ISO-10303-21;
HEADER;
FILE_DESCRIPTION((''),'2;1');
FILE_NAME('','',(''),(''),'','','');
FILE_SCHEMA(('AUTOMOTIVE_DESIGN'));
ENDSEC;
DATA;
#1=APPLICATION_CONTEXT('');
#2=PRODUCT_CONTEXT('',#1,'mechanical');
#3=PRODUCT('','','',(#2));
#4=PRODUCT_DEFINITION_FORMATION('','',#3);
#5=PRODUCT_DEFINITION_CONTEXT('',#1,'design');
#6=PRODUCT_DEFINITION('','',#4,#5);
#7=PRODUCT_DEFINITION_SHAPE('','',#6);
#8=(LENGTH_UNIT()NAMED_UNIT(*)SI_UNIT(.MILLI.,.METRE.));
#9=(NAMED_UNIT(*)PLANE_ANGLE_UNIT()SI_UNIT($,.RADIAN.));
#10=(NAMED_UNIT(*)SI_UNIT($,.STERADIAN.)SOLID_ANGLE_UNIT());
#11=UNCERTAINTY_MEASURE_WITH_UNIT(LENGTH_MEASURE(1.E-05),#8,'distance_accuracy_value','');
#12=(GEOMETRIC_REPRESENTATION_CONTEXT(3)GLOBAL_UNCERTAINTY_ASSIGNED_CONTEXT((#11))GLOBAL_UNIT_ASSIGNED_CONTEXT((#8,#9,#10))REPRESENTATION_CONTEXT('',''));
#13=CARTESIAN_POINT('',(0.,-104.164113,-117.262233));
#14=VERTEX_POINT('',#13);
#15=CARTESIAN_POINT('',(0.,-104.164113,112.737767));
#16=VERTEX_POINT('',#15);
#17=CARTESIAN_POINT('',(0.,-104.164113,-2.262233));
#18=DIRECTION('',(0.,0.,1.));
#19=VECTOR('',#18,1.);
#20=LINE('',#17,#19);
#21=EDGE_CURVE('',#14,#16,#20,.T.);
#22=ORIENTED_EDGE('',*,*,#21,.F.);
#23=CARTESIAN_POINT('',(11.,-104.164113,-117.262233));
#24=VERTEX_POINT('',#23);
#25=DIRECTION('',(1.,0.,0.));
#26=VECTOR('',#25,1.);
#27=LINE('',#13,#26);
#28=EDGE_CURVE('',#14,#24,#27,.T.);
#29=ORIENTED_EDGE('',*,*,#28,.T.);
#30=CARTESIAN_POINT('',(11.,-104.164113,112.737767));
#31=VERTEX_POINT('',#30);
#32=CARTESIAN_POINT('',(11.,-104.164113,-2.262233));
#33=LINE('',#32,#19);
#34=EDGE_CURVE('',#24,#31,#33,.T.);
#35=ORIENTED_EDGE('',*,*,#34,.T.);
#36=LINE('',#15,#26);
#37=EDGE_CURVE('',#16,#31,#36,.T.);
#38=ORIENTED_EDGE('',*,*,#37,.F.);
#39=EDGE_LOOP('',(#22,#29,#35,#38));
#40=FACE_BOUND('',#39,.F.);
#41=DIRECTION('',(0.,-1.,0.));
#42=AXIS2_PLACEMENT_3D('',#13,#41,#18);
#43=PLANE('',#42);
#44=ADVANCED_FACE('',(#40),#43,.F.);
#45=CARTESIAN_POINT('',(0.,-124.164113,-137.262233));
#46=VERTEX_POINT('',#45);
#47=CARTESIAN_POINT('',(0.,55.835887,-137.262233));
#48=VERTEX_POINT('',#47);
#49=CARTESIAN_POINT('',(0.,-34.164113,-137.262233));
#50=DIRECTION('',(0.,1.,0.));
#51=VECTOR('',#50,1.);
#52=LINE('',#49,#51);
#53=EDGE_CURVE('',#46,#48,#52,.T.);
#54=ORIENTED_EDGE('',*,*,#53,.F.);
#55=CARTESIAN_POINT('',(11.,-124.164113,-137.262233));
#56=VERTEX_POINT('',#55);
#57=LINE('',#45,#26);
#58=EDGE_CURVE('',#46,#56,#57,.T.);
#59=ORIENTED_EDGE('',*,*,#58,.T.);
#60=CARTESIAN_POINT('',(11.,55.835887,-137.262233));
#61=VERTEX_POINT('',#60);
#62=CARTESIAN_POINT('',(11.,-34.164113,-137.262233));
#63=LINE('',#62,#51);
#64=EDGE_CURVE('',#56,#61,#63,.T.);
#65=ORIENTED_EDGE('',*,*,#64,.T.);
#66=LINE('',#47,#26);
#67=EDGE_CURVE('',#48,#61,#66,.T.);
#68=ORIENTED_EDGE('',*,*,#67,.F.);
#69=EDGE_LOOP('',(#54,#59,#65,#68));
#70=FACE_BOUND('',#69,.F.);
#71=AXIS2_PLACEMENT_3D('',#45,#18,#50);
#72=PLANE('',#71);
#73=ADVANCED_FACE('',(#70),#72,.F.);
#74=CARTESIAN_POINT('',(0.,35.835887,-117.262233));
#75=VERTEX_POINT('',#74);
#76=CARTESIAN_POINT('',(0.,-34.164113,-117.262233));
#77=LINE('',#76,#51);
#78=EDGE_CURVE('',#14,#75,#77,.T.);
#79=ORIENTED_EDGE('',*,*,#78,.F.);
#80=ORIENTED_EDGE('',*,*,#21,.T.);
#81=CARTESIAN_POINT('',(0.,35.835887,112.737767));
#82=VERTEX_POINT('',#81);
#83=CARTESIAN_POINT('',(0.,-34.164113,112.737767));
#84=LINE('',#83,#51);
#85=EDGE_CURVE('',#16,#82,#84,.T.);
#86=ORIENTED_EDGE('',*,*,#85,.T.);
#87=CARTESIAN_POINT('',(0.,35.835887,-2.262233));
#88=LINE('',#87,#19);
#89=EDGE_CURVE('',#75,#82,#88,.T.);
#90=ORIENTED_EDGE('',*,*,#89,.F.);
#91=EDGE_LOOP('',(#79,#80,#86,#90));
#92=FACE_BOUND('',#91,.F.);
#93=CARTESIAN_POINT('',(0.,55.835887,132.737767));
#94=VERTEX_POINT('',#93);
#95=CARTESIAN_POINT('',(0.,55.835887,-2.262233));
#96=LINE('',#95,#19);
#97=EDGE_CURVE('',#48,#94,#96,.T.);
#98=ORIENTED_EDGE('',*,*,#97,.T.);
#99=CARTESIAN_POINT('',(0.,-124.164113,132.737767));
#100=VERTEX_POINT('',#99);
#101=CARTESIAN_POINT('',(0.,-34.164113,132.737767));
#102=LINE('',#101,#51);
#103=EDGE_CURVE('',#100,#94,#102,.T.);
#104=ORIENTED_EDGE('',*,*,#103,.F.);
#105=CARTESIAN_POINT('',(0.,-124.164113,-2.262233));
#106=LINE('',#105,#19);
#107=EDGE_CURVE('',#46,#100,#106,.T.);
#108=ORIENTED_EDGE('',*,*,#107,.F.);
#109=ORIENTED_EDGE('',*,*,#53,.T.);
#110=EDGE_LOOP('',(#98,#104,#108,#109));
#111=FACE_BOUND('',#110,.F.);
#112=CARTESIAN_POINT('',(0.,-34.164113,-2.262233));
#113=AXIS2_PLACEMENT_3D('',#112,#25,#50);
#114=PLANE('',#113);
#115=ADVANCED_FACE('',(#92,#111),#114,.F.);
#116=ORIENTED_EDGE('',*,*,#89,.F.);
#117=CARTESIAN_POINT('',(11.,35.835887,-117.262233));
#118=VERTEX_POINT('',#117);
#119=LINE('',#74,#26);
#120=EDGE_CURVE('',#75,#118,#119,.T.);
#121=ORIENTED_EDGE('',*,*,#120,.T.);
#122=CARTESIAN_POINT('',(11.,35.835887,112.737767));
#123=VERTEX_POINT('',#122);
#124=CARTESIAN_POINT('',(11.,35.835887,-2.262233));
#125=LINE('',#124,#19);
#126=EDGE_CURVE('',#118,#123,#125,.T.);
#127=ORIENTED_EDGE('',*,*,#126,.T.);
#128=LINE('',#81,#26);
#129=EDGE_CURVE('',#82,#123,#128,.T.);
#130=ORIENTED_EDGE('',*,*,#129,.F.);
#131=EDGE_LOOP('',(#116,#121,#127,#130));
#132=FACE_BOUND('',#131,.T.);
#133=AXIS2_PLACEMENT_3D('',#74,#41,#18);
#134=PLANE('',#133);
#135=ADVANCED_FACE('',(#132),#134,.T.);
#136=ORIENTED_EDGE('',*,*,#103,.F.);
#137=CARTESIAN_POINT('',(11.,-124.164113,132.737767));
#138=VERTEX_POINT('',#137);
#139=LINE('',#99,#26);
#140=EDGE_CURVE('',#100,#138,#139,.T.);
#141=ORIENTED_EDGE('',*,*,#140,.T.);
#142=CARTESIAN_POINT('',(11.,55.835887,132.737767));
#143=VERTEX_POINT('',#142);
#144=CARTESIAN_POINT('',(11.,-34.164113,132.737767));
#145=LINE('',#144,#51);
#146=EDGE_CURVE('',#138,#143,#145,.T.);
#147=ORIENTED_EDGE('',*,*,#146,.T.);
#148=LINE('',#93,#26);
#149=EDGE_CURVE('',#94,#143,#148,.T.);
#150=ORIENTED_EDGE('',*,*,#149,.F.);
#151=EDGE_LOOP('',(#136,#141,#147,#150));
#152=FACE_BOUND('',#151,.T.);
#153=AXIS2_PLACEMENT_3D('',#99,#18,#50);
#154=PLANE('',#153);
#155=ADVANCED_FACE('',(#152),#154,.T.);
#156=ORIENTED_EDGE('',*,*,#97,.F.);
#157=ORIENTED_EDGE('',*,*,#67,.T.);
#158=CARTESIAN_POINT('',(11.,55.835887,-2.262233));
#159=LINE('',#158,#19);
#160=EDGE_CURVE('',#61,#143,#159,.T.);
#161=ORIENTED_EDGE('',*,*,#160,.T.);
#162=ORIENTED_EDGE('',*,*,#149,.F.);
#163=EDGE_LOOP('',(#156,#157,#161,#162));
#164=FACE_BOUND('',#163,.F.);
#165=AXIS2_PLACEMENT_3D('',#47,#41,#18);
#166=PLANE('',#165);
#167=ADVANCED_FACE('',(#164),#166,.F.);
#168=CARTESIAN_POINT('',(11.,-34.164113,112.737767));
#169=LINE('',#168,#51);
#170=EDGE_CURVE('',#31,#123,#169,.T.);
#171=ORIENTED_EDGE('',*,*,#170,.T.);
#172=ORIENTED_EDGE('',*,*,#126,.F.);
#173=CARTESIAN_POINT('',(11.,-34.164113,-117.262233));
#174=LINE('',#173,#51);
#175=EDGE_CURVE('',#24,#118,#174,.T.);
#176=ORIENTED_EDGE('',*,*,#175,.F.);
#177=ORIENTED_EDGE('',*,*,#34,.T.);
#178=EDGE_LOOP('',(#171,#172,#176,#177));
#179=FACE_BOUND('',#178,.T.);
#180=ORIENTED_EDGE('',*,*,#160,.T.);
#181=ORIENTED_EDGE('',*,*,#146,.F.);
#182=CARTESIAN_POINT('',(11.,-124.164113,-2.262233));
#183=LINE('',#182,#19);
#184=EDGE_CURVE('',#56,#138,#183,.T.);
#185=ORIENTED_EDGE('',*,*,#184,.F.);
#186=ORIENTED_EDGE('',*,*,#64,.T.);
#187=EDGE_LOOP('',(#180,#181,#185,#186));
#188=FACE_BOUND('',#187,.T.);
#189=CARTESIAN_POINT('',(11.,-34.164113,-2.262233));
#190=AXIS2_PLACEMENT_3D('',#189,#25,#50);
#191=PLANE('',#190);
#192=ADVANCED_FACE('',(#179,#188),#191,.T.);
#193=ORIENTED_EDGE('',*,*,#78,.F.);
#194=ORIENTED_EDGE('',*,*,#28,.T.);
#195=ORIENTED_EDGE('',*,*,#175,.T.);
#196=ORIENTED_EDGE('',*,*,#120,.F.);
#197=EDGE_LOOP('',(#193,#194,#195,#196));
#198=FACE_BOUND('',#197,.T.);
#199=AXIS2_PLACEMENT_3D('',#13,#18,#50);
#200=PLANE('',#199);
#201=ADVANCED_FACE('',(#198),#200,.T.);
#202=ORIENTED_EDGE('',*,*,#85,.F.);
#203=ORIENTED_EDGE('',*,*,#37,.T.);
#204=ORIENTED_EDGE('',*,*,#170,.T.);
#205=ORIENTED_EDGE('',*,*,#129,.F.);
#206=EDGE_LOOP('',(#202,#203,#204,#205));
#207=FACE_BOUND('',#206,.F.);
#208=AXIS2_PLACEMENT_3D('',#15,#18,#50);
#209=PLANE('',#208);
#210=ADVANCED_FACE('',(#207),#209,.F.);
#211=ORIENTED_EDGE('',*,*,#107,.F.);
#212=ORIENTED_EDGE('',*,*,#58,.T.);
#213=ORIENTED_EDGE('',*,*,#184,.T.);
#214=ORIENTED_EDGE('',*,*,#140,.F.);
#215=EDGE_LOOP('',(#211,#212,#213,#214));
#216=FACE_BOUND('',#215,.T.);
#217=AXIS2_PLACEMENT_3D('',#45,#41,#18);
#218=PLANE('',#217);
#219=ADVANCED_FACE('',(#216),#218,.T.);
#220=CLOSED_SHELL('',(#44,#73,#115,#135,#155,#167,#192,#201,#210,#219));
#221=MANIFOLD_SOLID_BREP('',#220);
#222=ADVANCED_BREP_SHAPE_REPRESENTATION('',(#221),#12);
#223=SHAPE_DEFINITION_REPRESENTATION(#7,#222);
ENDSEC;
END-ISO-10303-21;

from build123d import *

# Parameters (mm, degrees)
F0_W     = 180
F0_H     = 270
F0_W_2   = 140
F0_H_2   = 230
F1_DEPTH = 11


with BuildPart() as f1:
    # F0 (on Right) → F1 (new body)
    with BuildSketch(Plane.YZ):
        with Locations((-34.164113, -2.262233)):
            Rectangle(F0_W, F0_H)
        with Locations((-34.164113, -2.262233)):
            Rectangle(F0_W_2, F0_H_2, mode=Mode.SUBTRACT)
    extrude(amount=F1_DEPTH)


solid = f1.part
